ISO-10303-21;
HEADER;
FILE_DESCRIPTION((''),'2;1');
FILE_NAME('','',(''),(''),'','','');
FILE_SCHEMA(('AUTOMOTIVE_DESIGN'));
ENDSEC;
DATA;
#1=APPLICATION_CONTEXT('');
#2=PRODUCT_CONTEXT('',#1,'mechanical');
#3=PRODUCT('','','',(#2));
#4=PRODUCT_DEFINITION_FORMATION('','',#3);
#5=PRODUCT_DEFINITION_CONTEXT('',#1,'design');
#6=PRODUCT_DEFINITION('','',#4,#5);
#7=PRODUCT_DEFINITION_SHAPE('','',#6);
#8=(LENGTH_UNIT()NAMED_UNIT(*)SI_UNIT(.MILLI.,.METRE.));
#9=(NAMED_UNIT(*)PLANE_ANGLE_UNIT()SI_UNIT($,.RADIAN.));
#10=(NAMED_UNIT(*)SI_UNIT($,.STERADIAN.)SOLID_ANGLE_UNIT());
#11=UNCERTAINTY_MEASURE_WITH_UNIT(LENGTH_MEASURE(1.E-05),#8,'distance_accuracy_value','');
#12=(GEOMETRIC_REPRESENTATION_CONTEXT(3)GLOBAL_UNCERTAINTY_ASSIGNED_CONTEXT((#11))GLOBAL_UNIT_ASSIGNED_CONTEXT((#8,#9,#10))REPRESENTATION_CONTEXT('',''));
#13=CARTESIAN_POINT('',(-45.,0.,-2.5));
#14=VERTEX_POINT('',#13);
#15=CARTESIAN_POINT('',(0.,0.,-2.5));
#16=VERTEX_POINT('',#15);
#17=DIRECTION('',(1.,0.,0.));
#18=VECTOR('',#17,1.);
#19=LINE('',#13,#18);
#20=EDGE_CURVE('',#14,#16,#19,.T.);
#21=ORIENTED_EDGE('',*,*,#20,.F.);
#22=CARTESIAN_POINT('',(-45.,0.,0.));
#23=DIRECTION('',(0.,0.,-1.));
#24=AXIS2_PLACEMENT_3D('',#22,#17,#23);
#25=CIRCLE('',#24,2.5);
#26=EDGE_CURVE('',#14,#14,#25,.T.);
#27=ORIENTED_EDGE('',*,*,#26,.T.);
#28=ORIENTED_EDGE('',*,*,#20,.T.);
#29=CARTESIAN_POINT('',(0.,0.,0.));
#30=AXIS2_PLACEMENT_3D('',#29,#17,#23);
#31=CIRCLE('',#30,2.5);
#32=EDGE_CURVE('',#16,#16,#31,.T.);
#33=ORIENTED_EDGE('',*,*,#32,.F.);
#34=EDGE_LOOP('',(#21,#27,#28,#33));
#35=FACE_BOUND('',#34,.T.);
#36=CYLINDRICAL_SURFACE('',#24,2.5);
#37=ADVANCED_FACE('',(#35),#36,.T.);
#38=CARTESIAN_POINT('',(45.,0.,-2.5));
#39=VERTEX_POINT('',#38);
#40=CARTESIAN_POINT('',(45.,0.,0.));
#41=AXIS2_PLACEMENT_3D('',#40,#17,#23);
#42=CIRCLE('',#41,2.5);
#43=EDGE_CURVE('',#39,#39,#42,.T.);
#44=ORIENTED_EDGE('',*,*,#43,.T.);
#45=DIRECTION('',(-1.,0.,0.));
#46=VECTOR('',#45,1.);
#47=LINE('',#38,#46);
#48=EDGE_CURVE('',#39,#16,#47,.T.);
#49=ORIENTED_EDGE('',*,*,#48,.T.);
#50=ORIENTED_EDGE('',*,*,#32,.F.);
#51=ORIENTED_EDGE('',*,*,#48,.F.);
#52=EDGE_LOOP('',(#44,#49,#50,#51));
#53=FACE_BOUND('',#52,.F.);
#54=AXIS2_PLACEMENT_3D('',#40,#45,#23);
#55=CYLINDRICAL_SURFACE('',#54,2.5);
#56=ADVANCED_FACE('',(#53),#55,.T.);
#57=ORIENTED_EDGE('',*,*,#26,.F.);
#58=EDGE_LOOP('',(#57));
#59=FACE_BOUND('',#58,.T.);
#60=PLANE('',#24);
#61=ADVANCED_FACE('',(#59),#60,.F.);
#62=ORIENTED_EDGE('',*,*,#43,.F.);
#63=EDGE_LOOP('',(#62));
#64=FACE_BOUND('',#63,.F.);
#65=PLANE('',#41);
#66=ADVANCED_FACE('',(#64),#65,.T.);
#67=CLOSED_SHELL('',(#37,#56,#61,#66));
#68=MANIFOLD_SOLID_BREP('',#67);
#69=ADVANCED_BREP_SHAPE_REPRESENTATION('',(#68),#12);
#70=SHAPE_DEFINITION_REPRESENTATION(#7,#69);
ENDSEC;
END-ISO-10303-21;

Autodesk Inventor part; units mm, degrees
ref_plane "YZ Plane" through (0, 0, 0) normal (1, 0, 0) x (0, 1, 0)
ref_plane "XZ Plane" through (0, 0, 0) normal (0, 1, 0) x (-1, 0, 0)
ref_plane "XY Plane" through (0, 0, 0) normal (0, 0, 1) x (1, 0, 0)
sketch "Эскиз1" plane through (0, 0, 0) normal (0, 1, 0) x (-1, 0, 0)
  line L0 (45, 0) -> (45, -2.5)
  line L1 (45, -2.5) -> (0, -2.5)
  line L2 (0, -2.5) -> (0, 0) construction
  line L3 (-45, 0) -> (-45, -2.5)
  line L4 (-45, -2.5) -> (0, -2.5)
  line L5 (1.8444, 0) -> (-1.3044, 0) construction
  line L6 (45, 0) -> (-45, 0)
  dimension "d0" = 2.5
  dimension "d1" = 45
revolve "Вращение1" add sketch "Эскиз1" angle 360 about axis through (-1.8444, 0, 0) along (1, 0, 0)
properties part number "Шпилька"
